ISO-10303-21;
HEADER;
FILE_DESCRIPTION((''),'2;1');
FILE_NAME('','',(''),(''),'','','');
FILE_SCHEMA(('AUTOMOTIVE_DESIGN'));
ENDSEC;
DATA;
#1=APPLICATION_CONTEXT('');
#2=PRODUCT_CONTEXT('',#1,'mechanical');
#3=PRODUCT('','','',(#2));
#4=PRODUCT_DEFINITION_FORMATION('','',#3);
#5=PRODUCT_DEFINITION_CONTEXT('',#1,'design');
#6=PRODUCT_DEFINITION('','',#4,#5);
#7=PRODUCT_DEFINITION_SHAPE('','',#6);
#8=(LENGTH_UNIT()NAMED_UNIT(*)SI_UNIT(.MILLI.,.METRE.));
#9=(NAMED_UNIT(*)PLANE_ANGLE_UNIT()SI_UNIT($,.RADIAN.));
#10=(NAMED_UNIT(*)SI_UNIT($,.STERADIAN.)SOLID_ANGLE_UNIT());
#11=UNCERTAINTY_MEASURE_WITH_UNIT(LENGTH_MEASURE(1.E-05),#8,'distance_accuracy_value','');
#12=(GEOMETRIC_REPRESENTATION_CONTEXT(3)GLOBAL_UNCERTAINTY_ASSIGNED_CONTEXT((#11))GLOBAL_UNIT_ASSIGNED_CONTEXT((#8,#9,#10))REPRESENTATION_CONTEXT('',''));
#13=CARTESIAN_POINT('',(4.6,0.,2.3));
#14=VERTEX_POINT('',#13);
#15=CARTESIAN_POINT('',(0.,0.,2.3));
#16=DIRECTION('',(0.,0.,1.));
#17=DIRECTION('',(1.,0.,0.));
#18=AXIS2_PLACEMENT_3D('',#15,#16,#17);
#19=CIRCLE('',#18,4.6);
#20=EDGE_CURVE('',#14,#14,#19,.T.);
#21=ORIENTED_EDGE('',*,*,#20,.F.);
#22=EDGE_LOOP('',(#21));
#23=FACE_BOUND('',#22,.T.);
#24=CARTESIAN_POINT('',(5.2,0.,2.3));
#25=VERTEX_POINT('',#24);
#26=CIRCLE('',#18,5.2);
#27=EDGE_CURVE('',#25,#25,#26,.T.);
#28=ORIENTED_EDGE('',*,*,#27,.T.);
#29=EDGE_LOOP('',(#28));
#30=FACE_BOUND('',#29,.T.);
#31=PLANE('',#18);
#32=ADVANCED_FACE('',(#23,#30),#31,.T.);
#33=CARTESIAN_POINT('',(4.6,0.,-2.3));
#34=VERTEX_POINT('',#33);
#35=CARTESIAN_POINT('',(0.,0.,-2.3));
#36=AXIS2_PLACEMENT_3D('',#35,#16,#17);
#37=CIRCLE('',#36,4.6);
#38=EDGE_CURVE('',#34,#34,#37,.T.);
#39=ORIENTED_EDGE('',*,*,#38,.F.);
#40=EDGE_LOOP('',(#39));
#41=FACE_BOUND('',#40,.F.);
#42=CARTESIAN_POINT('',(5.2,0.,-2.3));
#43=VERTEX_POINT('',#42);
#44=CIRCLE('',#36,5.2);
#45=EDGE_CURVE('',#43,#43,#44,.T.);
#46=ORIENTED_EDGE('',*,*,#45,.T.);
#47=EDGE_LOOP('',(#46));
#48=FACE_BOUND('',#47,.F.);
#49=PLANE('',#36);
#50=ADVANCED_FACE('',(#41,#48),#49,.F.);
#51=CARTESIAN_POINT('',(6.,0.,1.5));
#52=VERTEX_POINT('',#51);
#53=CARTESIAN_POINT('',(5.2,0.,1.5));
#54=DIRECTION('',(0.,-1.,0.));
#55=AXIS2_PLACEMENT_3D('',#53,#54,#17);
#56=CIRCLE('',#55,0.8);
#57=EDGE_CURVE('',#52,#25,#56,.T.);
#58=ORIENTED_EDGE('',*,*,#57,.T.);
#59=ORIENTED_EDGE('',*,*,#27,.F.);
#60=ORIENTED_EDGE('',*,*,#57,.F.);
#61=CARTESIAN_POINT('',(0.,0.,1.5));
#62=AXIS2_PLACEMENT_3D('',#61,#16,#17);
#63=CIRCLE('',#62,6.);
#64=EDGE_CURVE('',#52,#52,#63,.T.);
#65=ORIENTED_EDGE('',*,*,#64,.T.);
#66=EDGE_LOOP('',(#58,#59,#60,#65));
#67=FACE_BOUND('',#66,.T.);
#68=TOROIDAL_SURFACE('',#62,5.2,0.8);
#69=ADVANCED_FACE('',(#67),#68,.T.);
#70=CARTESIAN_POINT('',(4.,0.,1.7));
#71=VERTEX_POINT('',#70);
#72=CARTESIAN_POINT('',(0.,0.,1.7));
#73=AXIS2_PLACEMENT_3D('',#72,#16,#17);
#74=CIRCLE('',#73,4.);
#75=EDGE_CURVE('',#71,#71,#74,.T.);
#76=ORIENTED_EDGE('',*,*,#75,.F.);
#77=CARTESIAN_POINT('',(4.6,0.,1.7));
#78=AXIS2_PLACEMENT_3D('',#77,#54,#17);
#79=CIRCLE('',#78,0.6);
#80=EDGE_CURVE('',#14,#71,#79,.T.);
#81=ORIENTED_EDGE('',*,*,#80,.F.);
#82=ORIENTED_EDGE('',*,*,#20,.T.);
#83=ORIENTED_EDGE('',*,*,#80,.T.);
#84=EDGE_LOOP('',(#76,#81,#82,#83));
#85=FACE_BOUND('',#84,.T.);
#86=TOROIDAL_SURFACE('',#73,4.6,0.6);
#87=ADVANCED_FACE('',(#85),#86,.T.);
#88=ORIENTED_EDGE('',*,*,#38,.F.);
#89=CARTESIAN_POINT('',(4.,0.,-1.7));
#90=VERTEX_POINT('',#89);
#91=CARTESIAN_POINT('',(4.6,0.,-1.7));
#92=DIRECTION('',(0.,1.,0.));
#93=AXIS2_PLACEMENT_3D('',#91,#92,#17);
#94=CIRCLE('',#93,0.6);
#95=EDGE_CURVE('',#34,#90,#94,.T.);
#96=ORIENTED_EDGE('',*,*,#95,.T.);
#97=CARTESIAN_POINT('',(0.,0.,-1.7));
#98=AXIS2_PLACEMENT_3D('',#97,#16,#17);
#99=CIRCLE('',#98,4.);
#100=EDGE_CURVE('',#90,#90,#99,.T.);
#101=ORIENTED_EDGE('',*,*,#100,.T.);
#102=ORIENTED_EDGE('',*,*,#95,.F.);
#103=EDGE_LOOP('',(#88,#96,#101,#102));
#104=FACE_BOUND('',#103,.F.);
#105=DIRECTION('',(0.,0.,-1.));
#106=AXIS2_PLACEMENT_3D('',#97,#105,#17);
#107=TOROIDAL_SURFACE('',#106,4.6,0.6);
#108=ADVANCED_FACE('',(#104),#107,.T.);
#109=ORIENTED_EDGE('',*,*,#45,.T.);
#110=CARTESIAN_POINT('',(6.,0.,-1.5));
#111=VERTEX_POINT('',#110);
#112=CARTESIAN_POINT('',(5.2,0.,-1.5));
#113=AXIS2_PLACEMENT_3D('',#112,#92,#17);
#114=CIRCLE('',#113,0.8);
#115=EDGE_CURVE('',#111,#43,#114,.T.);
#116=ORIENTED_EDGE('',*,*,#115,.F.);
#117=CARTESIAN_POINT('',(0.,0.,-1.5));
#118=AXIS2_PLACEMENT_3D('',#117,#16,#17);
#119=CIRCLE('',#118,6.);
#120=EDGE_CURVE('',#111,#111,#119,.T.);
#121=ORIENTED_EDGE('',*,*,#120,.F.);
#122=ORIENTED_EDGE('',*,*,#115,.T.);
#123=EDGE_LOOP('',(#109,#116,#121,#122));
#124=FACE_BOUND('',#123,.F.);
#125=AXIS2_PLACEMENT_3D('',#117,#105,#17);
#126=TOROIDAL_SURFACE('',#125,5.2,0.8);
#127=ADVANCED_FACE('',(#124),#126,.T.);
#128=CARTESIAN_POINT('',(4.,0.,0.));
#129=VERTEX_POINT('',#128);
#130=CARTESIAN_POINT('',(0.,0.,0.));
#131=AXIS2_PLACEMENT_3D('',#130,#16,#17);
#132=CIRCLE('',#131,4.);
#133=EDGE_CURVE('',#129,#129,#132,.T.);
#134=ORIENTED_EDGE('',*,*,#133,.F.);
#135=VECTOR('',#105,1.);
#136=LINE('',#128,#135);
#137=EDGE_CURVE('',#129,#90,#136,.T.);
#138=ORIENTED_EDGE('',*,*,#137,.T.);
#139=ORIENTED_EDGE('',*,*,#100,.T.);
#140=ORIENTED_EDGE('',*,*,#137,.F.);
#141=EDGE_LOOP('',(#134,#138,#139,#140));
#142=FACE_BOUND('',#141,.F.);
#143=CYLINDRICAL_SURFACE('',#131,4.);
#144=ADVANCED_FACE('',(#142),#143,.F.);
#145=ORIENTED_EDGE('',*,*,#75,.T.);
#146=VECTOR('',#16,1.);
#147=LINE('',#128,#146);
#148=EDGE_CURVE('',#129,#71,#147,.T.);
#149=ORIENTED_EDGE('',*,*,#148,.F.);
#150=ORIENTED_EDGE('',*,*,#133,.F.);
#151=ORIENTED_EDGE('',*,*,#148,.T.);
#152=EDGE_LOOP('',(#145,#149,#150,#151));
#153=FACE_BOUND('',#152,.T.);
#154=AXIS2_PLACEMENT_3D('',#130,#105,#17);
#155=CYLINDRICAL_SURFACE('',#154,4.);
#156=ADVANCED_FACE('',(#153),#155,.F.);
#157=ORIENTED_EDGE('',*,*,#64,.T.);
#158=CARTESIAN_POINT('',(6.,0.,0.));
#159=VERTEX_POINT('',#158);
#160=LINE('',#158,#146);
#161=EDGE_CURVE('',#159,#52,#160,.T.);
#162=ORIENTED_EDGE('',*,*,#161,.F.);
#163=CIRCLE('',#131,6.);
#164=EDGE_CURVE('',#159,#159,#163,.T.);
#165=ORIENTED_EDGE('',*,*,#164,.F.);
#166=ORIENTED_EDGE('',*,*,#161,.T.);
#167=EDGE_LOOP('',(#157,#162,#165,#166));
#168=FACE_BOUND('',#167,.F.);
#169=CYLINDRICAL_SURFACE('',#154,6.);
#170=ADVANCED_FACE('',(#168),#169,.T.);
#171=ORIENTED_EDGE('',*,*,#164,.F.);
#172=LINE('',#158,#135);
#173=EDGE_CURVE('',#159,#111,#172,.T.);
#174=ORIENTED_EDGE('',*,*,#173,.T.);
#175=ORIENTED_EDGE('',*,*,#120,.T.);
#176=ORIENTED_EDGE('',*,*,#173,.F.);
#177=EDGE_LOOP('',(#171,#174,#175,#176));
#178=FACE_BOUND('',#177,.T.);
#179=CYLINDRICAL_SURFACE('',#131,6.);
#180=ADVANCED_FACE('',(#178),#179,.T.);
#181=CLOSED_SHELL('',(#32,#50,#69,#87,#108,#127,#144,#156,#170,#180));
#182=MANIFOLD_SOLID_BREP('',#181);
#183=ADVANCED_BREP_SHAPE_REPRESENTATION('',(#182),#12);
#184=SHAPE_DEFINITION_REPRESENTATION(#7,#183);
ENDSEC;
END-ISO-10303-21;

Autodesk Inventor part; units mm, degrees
ref_plane "YZ Plane" through (0, 0, 0) normal (1, 0, 0) x (0, 1, 0)
ref_plane "XZ Plane" through (0, 0, 0) normal (0, 1, 0) x (-1, 0, 0)
ref_plane "XY Plane" through (0, 0, 0) normal (0, 0, 1) x (1, 0, 0)
sketch "Sketch1" plane through (0, 0, 0) normal (0, 0, 1) x (1, 0, 0)
  circle A0 centre (0, 0) radius 6
  circle A1 centre (0, 0) radius 4
  dimension "d0" = 12
  dimension "d1" = 8
extrude "Extrusion1" add sketch "Sketch1" along normal mid plane 4.6
fillet "Fillet2" radius 0.8 2 edges at (-6, 0, 2.3) (-6, 0, -2.3)
fillet "Fillet3" radius 0.6 2 edges at (-4, 0, 2.3) (-4, 0, -2.3)
properties part number "New_Tire"
